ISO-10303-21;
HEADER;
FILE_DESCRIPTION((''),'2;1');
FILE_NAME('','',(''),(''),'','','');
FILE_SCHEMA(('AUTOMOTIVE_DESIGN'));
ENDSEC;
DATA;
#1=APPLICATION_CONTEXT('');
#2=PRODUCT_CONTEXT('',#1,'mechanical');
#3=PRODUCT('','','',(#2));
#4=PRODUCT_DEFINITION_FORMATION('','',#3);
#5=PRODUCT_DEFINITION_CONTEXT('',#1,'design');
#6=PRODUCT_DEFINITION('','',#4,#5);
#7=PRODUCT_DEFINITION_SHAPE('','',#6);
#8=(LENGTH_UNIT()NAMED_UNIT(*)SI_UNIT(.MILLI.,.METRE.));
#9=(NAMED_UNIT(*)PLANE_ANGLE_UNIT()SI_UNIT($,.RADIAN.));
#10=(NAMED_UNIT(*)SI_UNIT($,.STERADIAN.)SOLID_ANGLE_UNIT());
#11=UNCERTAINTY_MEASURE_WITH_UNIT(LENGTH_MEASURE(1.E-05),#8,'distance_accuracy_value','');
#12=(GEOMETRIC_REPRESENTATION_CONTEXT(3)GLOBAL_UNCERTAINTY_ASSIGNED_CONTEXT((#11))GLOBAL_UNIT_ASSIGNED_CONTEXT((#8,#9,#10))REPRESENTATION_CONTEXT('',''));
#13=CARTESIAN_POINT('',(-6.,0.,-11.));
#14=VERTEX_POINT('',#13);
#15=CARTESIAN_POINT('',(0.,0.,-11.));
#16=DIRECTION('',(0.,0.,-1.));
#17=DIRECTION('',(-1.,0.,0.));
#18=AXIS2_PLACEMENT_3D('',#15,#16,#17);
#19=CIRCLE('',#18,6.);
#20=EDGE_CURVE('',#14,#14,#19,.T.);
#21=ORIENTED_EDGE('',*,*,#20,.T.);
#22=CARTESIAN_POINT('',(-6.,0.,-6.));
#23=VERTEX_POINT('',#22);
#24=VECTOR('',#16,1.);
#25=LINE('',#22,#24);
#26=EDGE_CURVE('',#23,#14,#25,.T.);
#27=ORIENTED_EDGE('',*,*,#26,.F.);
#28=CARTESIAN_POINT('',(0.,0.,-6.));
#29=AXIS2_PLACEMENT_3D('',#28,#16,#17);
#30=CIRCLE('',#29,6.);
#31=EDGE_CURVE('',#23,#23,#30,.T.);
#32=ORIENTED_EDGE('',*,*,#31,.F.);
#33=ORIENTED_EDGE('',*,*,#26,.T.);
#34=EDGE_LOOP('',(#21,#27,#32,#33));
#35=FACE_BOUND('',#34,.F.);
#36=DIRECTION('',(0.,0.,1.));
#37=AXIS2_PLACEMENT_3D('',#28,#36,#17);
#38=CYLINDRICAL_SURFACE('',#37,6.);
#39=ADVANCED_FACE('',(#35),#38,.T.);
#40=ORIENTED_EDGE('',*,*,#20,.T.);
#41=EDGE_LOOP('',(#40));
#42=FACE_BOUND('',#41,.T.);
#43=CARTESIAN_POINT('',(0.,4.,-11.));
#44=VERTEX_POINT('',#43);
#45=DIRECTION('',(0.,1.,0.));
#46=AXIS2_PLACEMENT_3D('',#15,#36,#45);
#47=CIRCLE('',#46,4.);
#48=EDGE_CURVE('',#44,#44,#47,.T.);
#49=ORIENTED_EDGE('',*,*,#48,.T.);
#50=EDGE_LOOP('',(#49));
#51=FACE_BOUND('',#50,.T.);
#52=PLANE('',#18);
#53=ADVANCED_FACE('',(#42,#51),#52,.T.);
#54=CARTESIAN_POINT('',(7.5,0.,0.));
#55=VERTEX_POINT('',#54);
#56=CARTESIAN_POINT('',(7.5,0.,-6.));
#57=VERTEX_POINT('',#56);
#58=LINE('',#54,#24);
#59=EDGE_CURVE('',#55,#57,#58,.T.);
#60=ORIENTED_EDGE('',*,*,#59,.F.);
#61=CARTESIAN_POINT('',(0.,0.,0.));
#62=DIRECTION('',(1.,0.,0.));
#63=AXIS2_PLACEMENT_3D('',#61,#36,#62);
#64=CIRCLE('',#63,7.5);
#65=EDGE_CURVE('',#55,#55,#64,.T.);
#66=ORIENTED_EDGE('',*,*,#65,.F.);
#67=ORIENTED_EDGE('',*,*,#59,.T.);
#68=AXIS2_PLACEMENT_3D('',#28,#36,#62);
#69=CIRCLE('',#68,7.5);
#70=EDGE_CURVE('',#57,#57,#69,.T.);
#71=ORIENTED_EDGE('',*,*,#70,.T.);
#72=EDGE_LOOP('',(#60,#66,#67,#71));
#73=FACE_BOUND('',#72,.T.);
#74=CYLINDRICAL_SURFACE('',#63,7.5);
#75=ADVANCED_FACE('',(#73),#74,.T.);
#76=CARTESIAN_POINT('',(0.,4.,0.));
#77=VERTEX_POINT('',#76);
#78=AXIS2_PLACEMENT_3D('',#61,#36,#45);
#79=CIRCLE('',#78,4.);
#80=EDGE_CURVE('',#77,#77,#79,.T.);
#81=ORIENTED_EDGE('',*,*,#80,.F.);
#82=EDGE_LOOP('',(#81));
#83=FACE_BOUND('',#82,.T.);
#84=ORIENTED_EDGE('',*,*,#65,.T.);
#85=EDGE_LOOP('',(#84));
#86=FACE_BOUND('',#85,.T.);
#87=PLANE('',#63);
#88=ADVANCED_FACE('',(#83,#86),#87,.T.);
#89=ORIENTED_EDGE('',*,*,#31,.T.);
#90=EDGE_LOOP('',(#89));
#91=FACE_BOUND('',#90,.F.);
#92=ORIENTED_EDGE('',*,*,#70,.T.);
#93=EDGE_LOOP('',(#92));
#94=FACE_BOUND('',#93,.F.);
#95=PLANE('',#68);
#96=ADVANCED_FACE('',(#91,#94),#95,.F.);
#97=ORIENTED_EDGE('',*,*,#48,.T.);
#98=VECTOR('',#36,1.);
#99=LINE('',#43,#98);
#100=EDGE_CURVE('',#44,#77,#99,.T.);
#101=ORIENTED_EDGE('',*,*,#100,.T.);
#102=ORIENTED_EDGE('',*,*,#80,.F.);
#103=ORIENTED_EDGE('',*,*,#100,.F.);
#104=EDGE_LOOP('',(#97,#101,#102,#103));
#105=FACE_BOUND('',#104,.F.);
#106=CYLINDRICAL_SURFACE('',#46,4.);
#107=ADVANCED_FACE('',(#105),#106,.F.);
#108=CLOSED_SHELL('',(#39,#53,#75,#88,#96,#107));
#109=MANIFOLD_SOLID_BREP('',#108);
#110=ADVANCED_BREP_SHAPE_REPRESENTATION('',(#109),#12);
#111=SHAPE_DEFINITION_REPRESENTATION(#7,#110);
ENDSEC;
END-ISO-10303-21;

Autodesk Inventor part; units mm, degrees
ref_plane "YZ Plane" through (0, 0, 0) normal (1, 0, 0) x (0, 1, 0)
ref_plane "XZ Plane" through (0, 0, 0) normal (0, 1, 0) x (-1, 0, 0)
ref_plane "XY Plane" through (0, 0, 0) normal (0, 0, 1) x (1, 0, 0)
sketch "Sketch1" plane through (0, 0, 0) normal (0, 0, 1) x (1, 0, 0)
  circle A0 centre (0, 0) radius 7.5
  dimension "d0" = 15
extrude "Extrusion1" add sketch "Sketch1" against normal blind 6
sketch "Sketch2" plane through (0, 0, -6) normal (0, 0, -1) x (-1, 0, 0)
  circle A0 centre (0, 0) radius 6
  dimension "d3" = 12
extrude "Extrusion2" add sketch "Sketch2" along normal blind 5
sketch "Sketch3" plane through (0, 0, -11) normal (0, 0, -1) x (-1, 0, 0)
  circle A0 centre (0, 0) radius 6 projected
hole "Hole1" at (0, 0, -11) direction (0, 0, 1) diameter 8 depth 11
thread "Thread1" size "M8x1.25" class "6H" standard "ISO Metric profile" length 15
properties part number "117" material "Aluminum 6061"
